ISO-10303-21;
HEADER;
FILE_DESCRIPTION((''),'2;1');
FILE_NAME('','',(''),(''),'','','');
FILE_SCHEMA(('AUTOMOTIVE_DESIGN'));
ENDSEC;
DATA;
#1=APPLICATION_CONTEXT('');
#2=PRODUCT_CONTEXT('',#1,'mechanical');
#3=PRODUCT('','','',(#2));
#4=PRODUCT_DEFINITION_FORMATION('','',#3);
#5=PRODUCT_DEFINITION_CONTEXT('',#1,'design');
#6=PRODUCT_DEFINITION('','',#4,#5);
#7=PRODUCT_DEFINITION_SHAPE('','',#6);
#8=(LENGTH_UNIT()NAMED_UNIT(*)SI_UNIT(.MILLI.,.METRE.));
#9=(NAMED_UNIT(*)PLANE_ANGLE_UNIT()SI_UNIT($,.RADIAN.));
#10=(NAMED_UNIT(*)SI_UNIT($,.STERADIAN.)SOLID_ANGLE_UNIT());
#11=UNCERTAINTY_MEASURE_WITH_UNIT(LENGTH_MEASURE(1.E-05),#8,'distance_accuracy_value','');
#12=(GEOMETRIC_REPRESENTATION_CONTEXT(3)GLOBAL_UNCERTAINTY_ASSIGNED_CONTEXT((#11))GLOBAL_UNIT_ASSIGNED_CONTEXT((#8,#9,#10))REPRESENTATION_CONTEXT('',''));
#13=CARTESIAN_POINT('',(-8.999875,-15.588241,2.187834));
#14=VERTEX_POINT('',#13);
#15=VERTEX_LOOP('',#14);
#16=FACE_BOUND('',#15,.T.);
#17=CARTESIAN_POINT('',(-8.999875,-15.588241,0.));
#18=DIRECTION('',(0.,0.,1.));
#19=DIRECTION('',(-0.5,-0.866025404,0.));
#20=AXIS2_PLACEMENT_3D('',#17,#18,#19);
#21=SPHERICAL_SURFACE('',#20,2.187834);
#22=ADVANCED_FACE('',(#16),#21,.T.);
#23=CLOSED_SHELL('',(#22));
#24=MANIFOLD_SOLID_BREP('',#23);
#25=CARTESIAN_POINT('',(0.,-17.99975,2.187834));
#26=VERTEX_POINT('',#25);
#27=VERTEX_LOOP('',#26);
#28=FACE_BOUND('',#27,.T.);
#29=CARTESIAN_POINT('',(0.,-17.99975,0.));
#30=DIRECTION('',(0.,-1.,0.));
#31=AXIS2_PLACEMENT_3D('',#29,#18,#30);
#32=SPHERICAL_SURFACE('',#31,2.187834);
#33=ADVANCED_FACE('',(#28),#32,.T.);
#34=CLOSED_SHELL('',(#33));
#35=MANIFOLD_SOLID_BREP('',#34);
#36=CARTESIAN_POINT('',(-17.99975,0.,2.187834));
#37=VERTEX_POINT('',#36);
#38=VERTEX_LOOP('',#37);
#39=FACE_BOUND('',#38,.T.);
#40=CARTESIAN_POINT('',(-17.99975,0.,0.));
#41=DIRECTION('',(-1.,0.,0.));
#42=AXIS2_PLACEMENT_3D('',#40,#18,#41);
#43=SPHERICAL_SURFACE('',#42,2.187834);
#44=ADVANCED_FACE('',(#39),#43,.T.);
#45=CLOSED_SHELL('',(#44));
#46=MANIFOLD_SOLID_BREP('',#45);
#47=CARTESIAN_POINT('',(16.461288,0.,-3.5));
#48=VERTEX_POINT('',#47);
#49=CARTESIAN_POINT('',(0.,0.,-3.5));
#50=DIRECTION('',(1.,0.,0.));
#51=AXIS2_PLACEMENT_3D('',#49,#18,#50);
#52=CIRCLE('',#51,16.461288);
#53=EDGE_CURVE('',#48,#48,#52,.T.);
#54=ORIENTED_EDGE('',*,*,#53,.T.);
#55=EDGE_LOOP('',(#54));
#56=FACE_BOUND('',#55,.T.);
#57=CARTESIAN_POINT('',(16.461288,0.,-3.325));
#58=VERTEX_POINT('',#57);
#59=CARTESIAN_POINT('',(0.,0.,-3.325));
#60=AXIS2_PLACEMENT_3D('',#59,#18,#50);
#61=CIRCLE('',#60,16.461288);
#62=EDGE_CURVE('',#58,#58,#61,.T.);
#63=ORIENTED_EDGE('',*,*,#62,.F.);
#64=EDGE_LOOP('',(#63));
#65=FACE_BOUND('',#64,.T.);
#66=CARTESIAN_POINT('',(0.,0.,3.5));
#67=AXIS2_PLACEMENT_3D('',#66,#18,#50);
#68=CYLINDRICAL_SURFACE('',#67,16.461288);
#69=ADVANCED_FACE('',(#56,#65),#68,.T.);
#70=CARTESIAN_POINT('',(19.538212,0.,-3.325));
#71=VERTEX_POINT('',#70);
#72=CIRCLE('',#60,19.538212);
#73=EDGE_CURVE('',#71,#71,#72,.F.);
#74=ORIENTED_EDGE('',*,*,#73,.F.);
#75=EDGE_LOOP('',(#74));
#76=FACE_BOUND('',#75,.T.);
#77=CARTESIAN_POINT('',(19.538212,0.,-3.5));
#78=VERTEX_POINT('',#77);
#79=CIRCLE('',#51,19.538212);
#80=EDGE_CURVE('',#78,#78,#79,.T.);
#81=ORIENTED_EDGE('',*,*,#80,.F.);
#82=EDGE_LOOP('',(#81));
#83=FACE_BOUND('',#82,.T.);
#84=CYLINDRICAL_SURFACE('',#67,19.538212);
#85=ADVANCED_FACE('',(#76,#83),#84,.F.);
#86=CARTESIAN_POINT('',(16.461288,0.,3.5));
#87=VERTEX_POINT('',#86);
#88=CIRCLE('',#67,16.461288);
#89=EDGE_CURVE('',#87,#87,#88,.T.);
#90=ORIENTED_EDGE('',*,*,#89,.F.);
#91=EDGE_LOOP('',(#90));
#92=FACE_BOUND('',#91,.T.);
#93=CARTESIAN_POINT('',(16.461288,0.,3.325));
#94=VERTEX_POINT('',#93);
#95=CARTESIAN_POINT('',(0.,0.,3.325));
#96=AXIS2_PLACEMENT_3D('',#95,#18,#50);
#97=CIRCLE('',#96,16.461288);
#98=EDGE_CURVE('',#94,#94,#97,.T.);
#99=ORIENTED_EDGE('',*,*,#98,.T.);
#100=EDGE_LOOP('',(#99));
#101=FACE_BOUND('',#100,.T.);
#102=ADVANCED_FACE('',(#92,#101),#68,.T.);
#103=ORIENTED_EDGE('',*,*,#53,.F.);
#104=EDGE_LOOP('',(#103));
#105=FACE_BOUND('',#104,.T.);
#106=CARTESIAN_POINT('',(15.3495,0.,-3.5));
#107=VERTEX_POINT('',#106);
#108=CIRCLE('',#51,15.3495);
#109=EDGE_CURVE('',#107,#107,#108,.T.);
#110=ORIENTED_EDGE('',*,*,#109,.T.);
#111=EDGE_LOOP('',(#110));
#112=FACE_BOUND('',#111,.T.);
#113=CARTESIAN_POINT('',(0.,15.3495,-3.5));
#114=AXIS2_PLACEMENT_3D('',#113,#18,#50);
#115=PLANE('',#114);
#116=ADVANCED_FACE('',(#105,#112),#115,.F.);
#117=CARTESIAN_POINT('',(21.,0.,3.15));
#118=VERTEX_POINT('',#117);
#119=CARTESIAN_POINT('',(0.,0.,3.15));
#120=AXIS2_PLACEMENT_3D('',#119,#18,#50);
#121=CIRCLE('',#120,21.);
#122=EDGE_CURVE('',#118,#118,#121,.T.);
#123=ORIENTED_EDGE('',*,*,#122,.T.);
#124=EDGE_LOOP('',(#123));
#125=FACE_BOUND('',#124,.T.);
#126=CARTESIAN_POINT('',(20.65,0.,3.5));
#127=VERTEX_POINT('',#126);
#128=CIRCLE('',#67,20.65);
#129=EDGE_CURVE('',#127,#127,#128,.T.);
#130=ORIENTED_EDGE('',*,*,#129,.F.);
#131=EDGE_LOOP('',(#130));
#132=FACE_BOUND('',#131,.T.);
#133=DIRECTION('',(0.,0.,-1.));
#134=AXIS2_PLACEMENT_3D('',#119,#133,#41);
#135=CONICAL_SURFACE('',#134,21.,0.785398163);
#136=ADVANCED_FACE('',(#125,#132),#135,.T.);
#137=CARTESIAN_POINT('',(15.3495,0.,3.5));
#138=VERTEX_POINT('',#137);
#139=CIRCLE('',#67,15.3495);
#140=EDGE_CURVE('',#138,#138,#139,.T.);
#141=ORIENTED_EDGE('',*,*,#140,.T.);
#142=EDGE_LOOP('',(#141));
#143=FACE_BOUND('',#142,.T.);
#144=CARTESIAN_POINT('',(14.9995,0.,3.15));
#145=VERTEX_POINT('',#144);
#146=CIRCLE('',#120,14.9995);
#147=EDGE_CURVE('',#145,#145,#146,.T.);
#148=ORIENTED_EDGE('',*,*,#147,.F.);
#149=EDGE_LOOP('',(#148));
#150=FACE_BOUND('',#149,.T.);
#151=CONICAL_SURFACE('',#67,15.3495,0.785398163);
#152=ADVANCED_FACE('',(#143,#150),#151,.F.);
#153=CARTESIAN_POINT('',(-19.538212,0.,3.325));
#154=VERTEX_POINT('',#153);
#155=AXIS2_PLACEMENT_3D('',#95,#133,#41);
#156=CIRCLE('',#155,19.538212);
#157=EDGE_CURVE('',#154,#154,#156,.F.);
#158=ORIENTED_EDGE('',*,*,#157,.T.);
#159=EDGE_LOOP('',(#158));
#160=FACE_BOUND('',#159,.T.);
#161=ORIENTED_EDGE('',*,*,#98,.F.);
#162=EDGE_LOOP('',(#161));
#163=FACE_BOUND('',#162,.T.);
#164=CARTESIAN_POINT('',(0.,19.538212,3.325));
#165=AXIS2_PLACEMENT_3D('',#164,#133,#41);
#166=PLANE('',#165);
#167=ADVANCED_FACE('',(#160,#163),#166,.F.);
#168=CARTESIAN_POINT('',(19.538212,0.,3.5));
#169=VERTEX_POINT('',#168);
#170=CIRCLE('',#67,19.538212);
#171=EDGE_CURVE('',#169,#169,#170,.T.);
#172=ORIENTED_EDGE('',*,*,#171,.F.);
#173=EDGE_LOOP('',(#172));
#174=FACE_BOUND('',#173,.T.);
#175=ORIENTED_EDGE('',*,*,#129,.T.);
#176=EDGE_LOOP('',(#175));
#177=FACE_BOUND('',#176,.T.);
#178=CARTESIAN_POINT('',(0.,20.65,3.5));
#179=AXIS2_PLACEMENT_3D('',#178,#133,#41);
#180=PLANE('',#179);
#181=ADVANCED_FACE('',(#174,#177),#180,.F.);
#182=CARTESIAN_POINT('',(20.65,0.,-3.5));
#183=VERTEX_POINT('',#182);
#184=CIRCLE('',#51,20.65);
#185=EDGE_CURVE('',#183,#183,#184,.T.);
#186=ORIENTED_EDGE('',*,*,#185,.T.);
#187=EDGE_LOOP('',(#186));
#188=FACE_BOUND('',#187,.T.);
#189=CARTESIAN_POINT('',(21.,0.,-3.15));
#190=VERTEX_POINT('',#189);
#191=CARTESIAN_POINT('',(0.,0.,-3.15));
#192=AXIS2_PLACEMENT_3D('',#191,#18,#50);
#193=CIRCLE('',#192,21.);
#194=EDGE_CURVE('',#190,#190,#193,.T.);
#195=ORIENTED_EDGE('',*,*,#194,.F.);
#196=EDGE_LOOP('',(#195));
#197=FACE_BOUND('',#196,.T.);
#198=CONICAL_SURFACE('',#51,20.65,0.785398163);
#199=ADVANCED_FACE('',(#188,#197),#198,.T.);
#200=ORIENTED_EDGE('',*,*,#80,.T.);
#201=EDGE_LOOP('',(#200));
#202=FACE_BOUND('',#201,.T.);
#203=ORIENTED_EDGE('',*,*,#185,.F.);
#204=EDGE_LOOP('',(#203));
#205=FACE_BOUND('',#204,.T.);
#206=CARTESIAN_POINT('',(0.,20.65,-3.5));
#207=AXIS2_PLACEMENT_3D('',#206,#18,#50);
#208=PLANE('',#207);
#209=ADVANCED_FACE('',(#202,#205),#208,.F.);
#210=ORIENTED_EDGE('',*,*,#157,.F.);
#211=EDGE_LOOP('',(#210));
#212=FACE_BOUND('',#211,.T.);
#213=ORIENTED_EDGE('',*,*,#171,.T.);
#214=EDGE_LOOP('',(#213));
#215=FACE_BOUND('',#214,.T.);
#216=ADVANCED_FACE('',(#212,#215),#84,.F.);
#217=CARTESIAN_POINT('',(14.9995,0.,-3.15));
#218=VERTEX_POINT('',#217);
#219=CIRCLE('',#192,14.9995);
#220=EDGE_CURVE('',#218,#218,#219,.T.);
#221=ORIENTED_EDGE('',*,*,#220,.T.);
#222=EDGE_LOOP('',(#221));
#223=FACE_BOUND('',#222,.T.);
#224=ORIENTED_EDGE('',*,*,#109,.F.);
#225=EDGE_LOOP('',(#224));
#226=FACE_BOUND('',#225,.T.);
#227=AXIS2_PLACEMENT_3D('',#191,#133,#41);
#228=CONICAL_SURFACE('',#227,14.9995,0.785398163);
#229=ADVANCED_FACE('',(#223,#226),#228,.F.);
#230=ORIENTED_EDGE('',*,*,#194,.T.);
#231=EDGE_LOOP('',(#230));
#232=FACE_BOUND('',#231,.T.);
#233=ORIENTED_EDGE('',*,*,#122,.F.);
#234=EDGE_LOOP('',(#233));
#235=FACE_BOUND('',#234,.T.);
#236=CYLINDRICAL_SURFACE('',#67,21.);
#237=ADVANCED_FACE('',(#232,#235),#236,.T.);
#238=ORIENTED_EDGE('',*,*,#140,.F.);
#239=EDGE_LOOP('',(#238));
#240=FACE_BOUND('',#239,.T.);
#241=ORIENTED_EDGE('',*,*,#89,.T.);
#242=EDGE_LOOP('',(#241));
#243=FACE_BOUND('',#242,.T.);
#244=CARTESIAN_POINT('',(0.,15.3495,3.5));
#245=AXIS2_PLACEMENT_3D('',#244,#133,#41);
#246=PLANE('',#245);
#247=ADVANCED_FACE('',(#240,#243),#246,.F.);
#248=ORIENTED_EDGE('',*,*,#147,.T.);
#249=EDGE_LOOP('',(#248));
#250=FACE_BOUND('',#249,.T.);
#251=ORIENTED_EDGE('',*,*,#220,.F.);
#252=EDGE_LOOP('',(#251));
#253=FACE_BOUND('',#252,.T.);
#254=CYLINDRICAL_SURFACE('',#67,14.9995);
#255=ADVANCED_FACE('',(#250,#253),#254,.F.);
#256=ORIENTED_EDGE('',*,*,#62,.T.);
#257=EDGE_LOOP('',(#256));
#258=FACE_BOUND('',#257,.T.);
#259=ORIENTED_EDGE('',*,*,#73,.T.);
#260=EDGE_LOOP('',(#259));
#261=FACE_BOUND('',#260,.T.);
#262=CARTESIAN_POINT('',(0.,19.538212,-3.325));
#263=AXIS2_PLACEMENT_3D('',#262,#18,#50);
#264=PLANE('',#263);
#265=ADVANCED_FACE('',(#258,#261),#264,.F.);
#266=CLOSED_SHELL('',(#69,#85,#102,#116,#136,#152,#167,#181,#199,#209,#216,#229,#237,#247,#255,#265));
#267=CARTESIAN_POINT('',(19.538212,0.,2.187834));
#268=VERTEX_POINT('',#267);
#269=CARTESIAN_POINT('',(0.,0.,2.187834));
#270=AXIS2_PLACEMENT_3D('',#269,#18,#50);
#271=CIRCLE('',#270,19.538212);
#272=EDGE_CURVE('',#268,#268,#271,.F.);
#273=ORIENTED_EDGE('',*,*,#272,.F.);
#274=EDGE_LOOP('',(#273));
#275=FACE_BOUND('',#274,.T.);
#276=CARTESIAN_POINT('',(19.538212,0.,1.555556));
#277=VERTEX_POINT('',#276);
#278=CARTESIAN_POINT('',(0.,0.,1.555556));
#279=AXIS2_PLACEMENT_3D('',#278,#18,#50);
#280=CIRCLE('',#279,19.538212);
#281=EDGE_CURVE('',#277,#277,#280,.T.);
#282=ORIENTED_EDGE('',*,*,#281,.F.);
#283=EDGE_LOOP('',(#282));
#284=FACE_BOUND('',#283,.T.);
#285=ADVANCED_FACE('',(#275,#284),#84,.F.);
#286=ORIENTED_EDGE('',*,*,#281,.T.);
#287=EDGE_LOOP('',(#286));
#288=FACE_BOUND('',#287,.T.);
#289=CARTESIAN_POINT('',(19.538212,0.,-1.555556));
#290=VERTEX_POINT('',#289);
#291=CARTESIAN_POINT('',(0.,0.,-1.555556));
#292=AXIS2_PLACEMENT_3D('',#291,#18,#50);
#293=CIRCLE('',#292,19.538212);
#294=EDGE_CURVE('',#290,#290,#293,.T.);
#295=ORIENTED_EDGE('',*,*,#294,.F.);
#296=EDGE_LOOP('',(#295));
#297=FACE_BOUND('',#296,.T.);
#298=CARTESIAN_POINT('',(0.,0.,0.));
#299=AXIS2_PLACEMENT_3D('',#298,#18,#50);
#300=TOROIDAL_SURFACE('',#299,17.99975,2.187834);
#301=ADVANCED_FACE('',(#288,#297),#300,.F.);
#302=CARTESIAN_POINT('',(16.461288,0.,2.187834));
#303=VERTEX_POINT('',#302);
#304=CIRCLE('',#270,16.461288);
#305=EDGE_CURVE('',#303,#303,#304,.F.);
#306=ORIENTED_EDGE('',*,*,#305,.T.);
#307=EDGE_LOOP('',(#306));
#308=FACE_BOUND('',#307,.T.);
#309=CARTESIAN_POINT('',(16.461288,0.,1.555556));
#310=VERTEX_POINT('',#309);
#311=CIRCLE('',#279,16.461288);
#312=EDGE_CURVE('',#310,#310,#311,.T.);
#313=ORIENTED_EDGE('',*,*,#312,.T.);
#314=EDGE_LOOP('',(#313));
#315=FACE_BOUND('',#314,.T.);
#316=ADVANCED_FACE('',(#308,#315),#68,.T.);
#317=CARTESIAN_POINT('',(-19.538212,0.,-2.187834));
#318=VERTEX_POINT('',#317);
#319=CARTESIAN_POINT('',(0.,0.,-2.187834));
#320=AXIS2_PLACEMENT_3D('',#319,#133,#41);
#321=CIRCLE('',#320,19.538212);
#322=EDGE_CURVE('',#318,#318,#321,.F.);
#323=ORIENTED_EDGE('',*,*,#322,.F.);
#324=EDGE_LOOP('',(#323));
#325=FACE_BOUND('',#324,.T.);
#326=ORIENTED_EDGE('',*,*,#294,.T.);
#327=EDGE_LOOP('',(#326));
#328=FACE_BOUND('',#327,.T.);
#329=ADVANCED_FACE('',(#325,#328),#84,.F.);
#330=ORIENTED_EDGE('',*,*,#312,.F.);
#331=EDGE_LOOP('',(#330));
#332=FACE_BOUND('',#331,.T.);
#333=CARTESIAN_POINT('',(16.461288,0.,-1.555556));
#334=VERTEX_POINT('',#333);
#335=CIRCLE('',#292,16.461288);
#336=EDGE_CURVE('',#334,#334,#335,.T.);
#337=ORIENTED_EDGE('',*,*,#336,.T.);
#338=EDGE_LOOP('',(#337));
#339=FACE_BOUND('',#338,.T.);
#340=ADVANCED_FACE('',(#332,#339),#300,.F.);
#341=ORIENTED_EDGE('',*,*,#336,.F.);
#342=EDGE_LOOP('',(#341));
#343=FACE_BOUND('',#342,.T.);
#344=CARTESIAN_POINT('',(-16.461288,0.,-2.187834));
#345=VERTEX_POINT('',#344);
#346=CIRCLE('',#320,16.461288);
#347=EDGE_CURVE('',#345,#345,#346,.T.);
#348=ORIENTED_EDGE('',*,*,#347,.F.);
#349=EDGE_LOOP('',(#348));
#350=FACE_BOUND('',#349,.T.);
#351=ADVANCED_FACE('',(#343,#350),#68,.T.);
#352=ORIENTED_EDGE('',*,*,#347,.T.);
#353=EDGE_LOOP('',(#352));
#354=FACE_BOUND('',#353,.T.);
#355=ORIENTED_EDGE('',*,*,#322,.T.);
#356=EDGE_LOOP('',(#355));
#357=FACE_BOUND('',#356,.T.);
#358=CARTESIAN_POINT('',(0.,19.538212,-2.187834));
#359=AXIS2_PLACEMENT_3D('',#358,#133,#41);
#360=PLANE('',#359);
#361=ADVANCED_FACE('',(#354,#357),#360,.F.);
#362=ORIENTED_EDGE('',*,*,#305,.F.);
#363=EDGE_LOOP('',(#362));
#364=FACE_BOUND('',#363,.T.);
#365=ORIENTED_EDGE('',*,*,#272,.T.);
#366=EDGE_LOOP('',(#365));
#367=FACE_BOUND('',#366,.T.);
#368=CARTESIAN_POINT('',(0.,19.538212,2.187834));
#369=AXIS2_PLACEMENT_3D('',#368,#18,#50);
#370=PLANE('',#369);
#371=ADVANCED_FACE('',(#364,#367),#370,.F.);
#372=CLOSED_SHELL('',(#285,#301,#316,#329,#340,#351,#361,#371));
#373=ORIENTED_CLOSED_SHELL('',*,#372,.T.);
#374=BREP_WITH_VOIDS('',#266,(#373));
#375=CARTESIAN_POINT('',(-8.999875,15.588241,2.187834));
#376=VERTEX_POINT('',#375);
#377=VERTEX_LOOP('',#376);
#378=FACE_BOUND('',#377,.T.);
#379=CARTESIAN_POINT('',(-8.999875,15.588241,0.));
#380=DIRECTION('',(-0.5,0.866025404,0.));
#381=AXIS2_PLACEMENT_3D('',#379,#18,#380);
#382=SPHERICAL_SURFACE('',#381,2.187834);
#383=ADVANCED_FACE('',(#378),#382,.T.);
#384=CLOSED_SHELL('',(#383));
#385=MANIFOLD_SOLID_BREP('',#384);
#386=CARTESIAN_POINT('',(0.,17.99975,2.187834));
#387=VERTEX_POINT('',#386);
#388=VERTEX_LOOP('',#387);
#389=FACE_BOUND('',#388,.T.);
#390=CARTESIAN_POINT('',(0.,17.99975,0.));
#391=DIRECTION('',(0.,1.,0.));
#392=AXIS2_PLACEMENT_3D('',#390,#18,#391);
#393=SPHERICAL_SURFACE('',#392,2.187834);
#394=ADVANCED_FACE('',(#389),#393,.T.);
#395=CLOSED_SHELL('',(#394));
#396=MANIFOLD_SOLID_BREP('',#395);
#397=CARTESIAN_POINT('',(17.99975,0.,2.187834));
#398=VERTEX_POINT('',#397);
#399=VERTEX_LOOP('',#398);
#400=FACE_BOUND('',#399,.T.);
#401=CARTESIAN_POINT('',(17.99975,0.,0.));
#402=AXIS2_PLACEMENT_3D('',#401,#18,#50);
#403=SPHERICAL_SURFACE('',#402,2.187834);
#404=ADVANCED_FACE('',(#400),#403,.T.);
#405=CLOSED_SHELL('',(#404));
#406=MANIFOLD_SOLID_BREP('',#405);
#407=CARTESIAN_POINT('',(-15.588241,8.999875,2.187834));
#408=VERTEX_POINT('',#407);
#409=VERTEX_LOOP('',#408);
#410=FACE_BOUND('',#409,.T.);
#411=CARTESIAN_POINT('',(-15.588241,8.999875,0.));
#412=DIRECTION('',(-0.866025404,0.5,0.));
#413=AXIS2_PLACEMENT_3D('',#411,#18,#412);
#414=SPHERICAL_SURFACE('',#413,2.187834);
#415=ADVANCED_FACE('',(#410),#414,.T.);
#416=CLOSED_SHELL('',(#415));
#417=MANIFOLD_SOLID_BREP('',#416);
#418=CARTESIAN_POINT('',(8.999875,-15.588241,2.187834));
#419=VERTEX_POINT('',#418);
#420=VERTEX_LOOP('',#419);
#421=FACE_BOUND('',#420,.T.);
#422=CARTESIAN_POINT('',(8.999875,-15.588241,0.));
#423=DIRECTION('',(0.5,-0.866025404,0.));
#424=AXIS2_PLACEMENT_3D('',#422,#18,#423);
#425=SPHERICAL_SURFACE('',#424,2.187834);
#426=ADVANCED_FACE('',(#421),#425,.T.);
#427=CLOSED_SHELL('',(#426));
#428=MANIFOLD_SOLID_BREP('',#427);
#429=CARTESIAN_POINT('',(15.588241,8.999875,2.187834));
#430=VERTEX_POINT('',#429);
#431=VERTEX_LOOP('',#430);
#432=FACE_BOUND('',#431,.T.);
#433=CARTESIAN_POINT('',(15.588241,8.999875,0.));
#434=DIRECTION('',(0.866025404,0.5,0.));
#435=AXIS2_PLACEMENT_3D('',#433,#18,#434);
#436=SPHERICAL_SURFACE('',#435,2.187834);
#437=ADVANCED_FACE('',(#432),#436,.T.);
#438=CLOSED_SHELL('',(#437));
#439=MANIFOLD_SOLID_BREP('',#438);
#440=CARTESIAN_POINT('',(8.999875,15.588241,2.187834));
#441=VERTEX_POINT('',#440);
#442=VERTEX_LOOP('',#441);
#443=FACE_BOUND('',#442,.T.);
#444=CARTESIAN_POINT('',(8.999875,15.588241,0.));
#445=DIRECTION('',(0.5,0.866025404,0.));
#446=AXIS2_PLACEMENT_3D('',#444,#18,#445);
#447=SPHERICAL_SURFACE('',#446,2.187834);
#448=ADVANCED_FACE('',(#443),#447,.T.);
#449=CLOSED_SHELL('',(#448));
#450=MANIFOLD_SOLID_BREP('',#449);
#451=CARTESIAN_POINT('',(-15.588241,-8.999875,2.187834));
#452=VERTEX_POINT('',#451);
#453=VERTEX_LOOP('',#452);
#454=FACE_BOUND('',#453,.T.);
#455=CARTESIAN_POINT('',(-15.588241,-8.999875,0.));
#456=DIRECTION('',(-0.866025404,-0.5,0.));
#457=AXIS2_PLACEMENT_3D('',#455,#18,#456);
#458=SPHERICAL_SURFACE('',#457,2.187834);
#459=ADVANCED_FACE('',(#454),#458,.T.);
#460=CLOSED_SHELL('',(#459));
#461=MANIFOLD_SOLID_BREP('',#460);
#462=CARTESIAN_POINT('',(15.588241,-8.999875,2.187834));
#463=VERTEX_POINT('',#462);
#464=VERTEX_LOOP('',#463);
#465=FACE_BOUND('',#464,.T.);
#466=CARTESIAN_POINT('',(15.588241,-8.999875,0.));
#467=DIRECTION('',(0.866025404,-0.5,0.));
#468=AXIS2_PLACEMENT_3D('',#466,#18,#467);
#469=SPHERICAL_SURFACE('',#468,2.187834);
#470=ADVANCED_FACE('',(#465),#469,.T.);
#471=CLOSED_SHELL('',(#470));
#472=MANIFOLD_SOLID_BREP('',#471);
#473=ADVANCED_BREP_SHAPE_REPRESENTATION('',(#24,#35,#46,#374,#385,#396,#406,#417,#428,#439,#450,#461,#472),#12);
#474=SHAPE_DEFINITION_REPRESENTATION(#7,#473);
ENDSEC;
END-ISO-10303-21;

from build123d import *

# Parameters (mm, degrees)
CIRPATTERN1_COUNT = 12


with BuildPart() as part:
    # Sketch6 → Revolve1 (revolve)
    with BuildSketch(Plane(origin=(0, 0, 0), x_dir=(0, 0, -1), z_dir=(1, 0, 0))):
        with BuildLine():
            Line((-3.4999999999999996, 20.65000000000001), (-3.4999999999999996, 19.538211538461553))
            Line((-3.4999999999999996, 19.538211538461553), (-1.5555555555555556, 19.538211538461546))
            ThreePointArc((-1.5555555555555556, 19.538211538461546), (1.3e-16, 20.187583858350592), (1.5555555555555556, 19.538211538461546))
            Line((1.5555555555555556, 19.538211538461546), (3.4999999999999996, 19.538211538461553))
            Line((3.4999999999999996, 19.538211538461553), (3.4999999999999996, 20.650000000000002))
            Line((3.4999999999999996, 20.650000000000002), (3.1499999999999972, 21.000000000000004))
            Line((3.1499999999999972, 21.000000000000004), (-3.1499999999999972, 21.000000000000004))
            Line((-3.1499999999999972, 21.000000000000004), (-3.4999999999999996, 20.65000000000001))
        make_face()
        with BuildLine():
            Line((-3.4999999999999996, 15.349500000000013), (-3.4999999999999996, 16.461288461538466))
            Line((-3.4999999999999996, 16.461288461538466), (-1.5555555555555556, 16.461288461538473))
            ThreePointArc((-1.5555555555555556, 16.461288461538473), (1.3e-16, 15.811916141649428), (1.5555555555555556, 16.461288461538473))
            Line((1.5555555555555556, 16.461288461538473), (3.4999999999999996, 16.461288461538466))
            Line((3.4999999999999996, 16.461288461538466), (3.4999999999999996, 15.349500000000013))
            Line((3.4999999999999996, 15.349500000000013), (3.149999999999999, 14.99950000000001))
            Line((3.149999999999999, 14.99950000000001), (-3.149999999999999, 14.999500000000006))
            Line((-3.149999999999999, 14.999500000000006), (-3.4999999999999996, 15.349500000000013))
        make_face()
    revolve(axis=Axis((0, 0, 3.4999999999999996), (0, 0, -1)))



with BuildPart() as body_2:
    # Sketch4 → Revolve2 (revolve)
    with BuildSketch(Plane(origin=(0, 0, 0), x_dir=(0, 0, -1), z_dir=(1, 0, 0))):
        with BuildLine():
            Line((-2.1878338583505816, 17.99975000000001), (2.1878338583505816, 17.99975000000001))
            ThreePointArc((2.1878338583505816, 17.99975000000001), (1.3e-16, 20.187583858350592), (-2.1878338583505816, 17.99975000000001))
        make_face()
    revolve(axis=Axis((0, 17.99975000000001, 2.1878338583505816), (0, 0, -1)))


with BuildPart() as cirpattern1_1:
    # CirPattern1: pattern copy
    add(body_2.part.rotate(Axis((0, 0, -3.4999999999999996), (0, 0, 1)), 1 * 360 / CIRPATTERN1_COUNT))


with BuildPart() as cirpattern1_2:
    # CirPattern1: pattern copy
    add(body_2.part.rotate(Axis((0, 0, -3.4999999999999996), (0, 0, 1)), 2 * 360 / CIRPATTERN1_COUNT))


with BuildPart() as cirpattern1_3:
    # CirPattern1: pattern copy
    add(body_2.part.rotate(Axis((0, 0, -3.4999999999999996), (0, 0, 1)), 3 * 360 / CIRPATTERN1_COUNT))


with BuildPart() as cirpattern1_4:
    # CirPattern1: pattern copy
    add(body_2.part.rotate(Axis((0, 0, -3.4999999999999996), (0, 0, 1)), 4 * 360 / CIRPATTERN1_COUNT))


with BuildPart() as cirpattern1_5:
    # CirPattern1: pattern copy
    add(body_2.part.rotate(Axis((0, 0, -3.4999999999999996), (0, 0, 1)), 5 * 360 / CIRPATTERN1_COUNT))


with BuildPart() as cirpattern1_6:
    # CirPattern1: pattern copy
    add(body_2.part.rotate(Axis((0, 0, -3.4999999999999996), (0, 0, 1)), 6 * 360 / CIRPATTERN1_COUNT))


with BuildPart() as cirpattern1_7:
    # CirPattern1: pattern copy
    add(body_2.part.rotate(Axis((0, 0, -3.4999999999999996), (0, 0, 1)), 7 * 360 / CIRPATTERN1_COUNT))


with BuildPart() as cirpattern1_8:
    # CirPattern1: pattern copy
    add(body_2.part.rotate(Axis((0, 0, -3.4999999999999996), (0, 0, 1)), 8 * 360 / CIRPATTERN1_COUNT))


with BuildPart() as cirpattern1_9:
    # CirPattern1: pattern copy
    add(body_2.part.rotate(Axis((0, 0, -3.4999999999999996), (0, 0, 1)), 9 * 360 / CIRPATTERN1_COUNT))


with BuildPart() as cirpattern1_10:
    # CirPattern1: pattern copy
    add(body_2.part.rotate(Axis((0, 0, -3.4999999999999996), (0, 0, 1)), 10 * 360 / CIRPATTERN1_COUNT))


with BuildPart() as cirpattern1_11:
    # CirPattern1: pattern copy
    add(body_2.part.rotate(Axis((0, 0, -3.4999999999999996), (0, 0, 1)), 11 * 360 / CIRPATTERN1_COUNT))


with BuildPart() as part_1:
    add(part.part)

    add(body_2.part)  # Revolve3 merges body 2

    add(cirpattern1_1.part)  # Revolve3 merges CirPattern1_1

    add(cirpattern1_2.part)  # Revolve3 merges CirPattern1_2

    add(cirpattern1_3.part)  # Revolve3 merges CirPattern1_3

    add(cirpattern1_4.part)  # Revolve3 merges CirPattern1_4

    add(cirpattern1_5.part)  # Revolve3 merges CirPattern1_5

    add(cirpattern1_6.part)  # Revolve3 merges CirPattern1_6

    add(cirpattern1_7.part)  # Revolve3 merges CirPattern1_7

    add(cirpattern1_8.part)  # Revolve3 merges CirPattern1_8

    add(cirpattern1_9.part)  # Revolve3 merges CirPattern1_9

    add(cirpattern1_10.part)  # Revolve3 merges CirPattern1_10

    add(cirpattern1_11.part)  # Revolve3 merges CirPattern1_11
    # Sketch5 → Revolve3 (revolve)
    with BuildSketch(Plane(origin=(0, 0, 0), x_dir=(0, 0, -1), z_dir=(1, 0, 0))):
        Polygon((-3.324999999999993, 19.538211538461553), (-2.1878338583505816, 19.538211538461553), (-2.1878338583505808, 16.461288461538466), (-3.324999999999992, 16.461288461538466), align=None)
        Polygon((3.324999999999993, 19.538211538461553), (2.1878338583505816, 19.538211538461553), (2.1878338583505825, 16.461288461538466), (3.324999999999993, 16.461288461538466), align=None)
    revolve(axis=Axis((0, 0, 3.4999999999999996), (0, 0, -1)))


solid = part_1.part
